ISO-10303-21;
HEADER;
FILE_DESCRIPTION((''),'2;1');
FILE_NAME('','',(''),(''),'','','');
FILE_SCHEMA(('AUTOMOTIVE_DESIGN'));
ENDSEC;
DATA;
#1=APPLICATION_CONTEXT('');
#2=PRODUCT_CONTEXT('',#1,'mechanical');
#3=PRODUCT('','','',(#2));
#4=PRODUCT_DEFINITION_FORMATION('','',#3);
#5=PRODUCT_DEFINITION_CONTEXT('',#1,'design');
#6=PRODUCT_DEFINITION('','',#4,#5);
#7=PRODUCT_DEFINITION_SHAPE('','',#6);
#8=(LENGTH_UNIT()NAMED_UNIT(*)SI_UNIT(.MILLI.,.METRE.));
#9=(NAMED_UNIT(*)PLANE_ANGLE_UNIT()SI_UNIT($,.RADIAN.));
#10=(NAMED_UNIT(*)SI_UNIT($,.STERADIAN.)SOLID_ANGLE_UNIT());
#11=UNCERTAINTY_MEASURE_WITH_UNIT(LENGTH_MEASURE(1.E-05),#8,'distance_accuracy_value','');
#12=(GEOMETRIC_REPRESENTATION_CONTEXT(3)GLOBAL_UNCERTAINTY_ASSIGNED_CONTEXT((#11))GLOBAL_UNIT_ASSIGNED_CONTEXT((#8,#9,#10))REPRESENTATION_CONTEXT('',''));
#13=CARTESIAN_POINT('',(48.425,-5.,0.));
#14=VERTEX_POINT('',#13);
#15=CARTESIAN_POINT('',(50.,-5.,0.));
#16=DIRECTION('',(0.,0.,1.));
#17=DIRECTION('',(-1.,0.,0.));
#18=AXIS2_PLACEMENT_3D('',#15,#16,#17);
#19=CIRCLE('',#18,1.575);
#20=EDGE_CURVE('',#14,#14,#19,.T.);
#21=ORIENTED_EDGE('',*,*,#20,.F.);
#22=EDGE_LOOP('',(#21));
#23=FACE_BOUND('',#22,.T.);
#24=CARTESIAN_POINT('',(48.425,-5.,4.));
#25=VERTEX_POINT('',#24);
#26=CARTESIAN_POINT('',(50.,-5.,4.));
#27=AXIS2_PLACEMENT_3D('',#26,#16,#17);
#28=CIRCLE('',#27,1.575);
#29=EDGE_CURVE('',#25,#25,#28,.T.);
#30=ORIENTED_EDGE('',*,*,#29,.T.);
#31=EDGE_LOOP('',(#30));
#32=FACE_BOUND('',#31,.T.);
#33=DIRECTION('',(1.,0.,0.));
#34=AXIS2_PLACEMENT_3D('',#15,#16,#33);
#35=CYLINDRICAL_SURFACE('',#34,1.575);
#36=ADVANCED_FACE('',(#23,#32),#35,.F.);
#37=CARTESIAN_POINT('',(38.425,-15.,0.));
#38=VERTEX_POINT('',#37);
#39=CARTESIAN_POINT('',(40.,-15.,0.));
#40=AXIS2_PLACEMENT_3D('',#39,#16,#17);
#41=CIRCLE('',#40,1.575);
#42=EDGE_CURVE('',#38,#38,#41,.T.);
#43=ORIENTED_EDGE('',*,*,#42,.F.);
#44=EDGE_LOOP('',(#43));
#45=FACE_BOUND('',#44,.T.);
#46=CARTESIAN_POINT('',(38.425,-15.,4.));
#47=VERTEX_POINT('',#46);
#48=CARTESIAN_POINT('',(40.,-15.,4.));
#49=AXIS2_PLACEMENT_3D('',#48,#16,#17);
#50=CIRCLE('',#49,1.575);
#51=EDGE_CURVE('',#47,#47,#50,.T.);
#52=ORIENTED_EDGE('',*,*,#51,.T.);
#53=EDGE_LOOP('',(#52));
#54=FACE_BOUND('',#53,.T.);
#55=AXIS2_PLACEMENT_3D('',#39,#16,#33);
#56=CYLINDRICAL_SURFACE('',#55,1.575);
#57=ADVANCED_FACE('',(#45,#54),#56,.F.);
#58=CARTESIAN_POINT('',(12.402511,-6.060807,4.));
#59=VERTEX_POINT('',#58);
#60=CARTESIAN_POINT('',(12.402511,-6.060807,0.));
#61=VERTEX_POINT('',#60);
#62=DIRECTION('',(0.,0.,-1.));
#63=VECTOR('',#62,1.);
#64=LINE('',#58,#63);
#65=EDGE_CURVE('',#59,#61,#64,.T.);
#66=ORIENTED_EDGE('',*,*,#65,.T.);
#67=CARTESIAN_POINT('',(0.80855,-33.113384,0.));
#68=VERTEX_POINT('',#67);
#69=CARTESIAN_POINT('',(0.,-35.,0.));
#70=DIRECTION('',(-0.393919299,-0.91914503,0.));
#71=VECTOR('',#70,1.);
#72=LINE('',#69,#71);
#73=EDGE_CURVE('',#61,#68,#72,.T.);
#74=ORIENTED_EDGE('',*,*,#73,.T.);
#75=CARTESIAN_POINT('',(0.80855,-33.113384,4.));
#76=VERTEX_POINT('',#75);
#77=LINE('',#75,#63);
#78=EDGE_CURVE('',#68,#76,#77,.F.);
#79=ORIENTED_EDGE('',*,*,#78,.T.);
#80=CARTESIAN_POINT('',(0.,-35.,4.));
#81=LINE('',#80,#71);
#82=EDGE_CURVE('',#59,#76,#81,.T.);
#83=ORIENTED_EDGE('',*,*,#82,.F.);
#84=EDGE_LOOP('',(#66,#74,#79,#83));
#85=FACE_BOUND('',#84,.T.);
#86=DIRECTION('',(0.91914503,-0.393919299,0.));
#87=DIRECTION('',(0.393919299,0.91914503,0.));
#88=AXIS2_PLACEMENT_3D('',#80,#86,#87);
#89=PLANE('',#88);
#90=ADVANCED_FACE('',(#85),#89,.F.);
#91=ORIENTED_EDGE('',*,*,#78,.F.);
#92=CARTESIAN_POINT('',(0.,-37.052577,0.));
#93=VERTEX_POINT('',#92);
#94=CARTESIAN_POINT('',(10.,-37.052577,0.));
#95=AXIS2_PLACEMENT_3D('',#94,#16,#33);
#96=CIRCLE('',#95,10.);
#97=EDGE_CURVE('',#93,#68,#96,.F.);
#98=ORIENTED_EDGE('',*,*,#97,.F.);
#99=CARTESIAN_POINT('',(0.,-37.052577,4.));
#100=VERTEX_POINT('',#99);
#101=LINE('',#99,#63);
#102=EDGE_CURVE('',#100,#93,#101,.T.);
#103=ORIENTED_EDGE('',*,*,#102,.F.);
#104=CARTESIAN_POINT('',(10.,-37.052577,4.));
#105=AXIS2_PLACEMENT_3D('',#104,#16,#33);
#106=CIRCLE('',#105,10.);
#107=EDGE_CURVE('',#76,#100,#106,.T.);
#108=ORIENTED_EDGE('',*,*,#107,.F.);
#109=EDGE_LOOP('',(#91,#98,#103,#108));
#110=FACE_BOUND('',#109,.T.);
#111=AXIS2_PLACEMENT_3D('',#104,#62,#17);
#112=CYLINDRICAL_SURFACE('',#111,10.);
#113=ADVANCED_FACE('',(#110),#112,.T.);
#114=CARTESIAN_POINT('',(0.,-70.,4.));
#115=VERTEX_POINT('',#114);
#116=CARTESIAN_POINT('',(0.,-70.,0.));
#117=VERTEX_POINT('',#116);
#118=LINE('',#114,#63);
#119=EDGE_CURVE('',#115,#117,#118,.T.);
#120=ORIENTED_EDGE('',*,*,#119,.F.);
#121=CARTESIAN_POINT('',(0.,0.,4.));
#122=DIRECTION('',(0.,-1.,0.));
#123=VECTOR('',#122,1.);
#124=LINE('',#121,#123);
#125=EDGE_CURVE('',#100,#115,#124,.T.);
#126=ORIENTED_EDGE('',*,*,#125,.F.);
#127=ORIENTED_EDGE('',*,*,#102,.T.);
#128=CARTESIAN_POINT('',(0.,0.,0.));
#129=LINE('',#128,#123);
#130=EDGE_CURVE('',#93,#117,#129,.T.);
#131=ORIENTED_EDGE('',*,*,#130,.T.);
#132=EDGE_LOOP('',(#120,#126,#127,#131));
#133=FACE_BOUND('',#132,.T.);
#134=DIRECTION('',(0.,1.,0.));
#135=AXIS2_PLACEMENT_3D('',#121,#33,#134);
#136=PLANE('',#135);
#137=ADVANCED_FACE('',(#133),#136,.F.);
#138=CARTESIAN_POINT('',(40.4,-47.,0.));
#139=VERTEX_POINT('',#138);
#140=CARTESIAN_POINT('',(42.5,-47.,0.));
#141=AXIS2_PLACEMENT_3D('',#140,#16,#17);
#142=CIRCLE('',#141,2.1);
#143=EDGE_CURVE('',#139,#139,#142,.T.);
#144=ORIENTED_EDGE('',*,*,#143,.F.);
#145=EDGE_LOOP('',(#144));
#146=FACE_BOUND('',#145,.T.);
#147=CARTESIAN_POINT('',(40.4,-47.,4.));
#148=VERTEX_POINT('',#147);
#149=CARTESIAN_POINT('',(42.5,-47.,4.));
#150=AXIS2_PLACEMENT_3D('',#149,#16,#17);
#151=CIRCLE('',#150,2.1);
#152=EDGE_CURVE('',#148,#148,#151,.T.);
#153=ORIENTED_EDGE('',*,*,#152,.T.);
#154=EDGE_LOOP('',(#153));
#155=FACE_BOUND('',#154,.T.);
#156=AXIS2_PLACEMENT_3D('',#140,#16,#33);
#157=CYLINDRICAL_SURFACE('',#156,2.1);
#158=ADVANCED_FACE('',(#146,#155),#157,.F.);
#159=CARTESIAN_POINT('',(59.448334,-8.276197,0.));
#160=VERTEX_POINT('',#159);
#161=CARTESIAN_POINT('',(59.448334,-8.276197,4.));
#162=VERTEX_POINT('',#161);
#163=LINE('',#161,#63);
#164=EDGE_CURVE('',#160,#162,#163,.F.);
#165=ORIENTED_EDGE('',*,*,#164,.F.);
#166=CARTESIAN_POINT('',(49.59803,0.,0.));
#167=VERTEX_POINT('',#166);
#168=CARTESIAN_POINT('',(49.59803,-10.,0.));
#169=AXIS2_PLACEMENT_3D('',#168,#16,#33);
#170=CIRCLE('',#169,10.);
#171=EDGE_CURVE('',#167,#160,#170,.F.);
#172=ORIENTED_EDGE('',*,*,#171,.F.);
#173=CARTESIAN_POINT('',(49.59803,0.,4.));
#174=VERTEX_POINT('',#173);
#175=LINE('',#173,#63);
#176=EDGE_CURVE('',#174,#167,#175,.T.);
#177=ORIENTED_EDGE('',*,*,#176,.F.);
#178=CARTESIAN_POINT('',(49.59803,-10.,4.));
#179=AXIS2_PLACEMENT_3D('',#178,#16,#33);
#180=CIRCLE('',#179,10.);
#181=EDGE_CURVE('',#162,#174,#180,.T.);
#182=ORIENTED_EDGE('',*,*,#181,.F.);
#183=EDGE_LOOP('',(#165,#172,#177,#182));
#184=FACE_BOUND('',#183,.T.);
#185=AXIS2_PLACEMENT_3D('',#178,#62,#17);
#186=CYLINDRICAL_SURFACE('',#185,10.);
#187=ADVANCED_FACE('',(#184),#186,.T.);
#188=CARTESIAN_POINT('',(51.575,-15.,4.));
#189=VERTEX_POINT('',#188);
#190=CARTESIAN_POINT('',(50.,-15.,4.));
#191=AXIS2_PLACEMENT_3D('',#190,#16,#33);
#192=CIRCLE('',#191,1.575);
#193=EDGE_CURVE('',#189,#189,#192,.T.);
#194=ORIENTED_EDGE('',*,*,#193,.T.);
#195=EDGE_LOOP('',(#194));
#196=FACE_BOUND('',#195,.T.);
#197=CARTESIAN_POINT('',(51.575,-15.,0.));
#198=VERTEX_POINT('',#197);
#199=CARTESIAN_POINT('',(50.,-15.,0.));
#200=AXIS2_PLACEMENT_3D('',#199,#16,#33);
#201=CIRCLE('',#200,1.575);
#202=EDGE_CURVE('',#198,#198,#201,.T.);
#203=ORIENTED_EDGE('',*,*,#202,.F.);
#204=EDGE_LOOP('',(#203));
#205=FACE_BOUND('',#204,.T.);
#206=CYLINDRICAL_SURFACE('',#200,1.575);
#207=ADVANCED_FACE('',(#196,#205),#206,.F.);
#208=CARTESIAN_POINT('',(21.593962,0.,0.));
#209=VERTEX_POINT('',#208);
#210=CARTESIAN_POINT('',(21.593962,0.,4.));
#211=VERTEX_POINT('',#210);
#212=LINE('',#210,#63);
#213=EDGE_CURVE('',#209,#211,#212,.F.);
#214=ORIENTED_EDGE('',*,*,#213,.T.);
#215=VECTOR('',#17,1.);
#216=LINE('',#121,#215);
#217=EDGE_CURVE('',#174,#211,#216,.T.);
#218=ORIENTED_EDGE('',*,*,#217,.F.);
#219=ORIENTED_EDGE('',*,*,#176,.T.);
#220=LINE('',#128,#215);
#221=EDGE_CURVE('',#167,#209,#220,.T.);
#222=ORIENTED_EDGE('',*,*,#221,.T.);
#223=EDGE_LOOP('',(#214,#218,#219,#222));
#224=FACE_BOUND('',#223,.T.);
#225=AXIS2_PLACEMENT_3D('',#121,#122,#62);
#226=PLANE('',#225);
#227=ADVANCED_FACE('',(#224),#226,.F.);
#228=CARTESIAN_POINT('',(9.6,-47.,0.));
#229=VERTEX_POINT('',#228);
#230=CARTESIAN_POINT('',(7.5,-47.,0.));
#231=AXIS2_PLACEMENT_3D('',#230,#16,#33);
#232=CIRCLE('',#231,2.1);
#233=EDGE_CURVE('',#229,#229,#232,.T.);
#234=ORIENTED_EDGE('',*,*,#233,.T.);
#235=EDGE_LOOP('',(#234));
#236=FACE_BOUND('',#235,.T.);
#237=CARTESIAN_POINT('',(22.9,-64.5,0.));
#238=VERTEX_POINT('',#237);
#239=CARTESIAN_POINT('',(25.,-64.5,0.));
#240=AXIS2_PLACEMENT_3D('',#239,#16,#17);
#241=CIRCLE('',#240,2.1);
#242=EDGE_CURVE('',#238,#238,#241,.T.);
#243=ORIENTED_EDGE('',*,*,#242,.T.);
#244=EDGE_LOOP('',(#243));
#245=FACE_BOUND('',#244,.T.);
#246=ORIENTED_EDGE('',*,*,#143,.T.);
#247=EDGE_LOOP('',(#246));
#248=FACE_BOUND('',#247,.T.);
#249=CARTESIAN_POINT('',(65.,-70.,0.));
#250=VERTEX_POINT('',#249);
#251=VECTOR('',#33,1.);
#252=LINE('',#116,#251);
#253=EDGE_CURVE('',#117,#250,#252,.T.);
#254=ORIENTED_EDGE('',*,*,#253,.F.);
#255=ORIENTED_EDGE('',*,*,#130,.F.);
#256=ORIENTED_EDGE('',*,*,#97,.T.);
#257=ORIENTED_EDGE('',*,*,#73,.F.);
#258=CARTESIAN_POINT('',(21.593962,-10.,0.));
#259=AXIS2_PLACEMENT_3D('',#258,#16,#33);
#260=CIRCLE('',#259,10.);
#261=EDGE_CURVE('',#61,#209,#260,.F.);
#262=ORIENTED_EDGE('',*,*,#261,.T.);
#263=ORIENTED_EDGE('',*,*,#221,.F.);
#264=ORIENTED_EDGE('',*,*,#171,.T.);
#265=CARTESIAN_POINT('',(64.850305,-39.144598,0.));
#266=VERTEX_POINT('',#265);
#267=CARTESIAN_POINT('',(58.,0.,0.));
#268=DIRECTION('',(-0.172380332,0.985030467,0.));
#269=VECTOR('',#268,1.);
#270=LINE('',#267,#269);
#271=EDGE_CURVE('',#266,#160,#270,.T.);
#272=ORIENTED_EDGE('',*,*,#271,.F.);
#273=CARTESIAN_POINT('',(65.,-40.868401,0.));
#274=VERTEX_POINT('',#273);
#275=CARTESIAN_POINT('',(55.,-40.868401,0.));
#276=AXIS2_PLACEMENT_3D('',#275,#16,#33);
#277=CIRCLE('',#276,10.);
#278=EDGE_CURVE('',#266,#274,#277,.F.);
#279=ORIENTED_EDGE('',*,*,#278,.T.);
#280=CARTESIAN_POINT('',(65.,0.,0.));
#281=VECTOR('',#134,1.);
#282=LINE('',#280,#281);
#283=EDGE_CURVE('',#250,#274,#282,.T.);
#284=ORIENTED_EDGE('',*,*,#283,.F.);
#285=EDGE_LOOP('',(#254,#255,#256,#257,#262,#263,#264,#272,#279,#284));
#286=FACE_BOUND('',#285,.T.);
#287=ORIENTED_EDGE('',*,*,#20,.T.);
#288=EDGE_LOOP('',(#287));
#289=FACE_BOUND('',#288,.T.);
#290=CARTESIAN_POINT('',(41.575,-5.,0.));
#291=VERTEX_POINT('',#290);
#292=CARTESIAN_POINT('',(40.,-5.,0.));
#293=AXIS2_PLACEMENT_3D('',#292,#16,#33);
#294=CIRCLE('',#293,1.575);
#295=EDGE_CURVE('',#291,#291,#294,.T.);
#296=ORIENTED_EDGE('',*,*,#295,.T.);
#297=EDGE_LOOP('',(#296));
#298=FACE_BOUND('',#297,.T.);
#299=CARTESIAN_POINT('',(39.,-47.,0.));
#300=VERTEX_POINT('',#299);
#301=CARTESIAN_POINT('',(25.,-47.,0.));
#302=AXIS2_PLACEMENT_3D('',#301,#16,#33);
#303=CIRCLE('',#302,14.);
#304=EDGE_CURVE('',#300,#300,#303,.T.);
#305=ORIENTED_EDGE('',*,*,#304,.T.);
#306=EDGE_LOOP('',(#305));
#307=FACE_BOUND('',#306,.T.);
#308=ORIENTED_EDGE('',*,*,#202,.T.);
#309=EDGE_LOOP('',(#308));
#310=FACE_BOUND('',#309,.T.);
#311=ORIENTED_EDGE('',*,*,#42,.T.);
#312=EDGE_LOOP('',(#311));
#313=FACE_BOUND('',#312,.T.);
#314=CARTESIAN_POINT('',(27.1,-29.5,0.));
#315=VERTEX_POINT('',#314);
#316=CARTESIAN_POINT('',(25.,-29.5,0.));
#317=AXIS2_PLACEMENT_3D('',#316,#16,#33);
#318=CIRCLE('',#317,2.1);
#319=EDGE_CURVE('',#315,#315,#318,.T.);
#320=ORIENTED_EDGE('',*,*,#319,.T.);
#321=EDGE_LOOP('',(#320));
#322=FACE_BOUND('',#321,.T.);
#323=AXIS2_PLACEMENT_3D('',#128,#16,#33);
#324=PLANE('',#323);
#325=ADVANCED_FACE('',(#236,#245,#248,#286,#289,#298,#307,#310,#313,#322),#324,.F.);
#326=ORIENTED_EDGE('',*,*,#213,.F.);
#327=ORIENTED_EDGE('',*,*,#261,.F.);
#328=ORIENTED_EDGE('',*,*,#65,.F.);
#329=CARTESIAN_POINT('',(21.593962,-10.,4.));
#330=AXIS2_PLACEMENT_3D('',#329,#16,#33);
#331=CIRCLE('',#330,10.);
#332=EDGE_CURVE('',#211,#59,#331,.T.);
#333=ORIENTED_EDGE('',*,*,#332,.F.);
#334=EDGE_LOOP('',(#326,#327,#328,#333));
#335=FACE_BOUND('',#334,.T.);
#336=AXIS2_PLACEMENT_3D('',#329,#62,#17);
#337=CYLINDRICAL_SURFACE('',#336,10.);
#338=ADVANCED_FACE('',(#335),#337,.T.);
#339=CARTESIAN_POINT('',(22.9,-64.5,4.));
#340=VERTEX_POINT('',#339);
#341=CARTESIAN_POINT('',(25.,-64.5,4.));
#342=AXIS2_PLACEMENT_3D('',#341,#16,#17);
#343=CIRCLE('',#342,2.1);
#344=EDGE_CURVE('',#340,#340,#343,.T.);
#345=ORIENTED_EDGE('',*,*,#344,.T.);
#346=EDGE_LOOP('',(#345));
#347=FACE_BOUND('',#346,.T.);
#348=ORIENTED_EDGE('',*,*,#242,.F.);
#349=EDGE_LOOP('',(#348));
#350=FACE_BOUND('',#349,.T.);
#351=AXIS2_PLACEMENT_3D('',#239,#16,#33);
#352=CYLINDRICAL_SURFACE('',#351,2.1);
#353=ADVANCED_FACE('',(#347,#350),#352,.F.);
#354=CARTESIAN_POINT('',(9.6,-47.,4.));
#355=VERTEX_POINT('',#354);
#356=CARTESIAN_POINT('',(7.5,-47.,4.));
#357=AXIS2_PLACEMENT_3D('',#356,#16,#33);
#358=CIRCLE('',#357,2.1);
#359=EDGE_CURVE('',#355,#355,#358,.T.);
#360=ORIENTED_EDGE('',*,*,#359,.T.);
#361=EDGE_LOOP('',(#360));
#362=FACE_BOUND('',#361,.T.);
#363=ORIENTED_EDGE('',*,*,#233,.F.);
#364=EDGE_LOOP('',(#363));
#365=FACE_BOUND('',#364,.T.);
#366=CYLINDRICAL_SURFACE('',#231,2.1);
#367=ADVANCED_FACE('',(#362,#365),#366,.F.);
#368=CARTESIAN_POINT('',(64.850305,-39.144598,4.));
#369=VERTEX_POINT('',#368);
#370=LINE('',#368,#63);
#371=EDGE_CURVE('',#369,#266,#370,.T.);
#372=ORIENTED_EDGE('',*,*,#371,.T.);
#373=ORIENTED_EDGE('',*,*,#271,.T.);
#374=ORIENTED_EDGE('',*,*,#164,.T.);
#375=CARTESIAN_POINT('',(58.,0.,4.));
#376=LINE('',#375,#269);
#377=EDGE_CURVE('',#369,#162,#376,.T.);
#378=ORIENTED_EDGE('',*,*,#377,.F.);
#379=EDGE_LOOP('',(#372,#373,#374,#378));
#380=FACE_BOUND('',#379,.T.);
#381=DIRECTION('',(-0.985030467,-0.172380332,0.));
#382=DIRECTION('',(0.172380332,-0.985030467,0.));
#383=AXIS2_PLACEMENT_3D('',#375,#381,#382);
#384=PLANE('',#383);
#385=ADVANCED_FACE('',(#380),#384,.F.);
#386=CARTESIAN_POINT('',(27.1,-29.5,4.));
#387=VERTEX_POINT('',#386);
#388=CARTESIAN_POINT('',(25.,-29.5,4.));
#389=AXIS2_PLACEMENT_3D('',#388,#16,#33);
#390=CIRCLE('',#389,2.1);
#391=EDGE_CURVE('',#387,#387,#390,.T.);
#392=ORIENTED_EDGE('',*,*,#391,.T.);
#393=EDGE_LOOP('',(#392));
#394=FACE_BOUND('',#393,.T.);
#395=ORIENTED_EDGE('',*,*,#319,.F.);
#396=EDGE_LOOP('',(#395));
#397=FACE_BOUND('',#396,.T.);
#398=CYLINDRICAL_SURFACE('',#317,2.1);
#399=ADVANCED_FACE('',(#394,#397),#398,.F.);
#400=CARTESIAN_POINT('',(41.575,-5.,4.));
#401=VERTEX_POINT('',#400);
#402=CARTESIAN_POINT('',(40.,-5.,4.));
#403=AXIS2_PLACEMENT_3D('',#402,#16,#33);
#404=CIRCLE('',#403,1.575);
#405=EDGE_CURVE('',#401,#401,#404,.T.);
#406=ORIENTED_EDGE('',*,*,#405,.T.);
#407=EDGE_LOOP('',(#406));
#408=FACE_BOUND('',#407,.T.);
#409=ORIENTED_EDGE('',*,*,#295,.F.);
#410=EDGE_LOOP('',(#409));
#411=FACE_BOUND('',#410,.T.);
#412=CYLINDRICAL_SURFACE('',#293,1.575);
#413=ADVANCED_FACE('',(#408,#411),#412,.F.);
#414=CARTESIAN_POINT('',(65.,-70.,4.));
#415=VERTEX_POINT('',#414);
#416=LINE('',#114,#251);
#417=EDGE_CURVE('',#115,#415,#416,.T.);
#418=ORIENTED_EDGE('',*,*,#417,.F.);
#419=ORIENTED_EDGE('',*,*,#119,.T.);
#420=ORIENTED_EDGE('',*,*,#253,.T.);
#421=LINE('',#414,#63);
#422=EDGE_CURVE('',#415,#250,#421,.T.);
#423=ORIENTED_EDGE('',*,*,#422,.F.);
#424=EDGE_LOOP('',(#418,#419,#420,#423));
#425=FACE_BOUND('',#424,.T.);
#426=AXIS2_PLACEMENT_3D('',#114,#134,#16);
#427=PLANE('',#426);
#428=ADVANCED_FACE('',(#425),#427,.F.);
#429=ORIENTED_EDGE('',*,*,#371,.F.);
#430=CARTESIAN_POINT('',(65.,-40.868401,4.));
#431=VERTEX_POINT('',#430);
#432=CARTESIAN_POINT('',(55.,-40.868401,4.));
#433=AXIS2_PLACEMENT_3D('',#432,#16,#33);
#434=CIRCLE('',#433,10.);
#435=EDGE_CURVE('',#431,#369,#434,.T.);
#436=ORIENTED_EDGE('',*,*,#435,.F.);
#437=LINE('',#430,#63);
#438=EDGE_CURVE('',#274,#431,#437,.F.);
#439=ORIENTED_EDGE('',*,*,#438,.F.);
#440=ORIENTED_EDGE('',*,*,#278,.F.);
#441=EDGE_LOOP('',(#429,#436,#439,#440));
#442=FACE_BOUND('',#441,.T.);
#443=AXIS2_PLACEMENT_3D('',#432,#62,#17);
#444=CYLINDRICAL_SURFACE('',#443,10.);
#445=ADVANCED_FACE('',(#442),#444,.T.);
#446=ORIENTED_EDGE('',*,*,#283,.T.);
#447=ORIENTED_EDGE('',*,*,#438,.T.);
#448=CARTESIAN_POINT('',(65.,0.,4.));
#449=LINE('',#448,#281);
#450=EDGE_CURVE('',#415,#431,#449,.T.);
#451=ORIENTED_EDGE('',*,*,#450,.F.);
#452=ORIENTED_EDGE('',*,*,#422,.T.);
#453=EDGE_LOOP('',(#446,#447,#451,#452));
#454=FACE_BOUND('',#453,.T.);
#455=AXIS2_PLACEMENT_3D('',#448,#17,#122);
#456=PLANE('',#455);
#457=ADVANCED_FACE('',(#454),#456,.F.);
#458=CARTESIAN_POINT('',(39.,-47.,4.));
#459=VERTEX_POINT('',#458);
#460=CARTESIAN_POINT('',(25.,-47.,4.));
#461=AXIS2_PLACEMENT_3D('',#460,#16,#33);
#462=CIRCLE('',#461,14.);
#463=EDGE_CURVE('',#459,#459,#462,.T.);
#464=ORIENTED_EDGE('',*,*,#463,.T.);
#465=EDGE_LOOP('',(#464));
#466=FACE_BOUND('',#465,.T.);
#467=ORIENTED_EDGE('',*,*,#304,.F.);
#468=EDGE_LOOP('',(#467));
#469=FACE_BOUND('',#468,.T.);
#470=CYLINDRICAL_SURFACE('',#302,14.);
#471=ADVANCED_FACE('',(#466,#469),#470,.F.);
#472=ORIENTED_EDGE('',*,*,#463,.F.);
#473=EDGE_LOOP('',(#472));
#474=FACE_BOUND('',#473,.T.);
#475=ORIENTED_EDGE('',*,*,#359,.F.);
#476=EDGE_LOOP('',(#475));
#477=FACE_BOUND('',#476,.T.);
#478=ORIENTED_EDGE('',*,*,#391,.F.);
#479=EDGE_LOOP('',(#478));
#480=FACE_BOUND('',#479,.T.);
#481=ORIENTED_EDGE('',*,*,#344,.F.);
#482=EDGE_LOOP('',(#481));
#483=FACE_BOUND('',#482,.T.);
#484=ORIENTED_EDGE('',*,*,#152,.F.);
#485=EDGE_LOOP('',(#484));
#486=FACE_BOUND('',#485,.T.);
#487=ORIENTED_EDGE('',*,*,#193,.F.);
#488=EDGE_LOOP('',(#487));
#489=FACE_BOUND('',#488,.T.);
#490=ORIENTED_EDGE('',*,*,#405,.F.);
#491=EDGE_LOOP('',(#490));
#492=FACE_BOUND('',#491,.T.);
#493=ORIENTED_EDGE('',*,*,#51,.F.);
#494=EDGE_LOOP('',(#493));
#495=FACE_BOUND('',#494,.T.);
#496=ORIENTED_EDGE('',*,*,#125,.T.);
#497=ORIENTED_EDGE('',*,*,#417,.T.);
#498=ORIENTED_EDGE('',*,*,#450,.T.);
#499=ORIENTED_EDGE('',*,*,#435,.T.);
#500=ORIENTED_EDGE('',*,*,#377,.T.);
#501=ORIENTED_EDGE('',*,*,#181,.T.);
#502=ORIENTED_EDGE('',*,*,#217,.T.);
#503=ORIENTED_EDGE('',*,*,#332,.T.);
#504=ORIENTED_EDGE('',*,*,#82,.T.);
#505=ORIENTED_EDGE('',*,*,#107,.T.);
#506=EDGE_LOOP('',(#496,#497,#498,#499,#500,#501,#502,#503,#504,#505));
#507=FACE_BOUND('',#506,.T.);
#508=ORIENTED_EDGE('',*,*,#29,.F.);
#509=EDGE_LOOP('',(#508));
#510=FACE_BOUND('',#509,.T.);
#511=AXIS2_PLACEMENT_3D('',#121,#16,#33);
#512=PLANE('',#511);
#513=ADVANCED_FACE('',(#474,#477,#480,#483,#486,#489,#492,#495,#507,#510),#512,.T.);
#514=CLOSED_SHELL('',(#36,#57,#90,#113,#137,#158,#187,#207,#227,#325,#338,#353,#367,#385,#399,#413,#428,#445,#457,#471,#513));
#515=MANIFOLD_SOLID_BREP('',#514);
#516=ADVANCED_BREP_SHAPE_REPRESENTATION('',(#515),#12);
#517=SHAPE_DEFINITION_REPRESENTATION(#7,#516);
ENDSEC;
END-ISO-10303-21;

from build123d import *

# Parameters (mm, degrees)
SKETCH_1_W          = 65
SKETCH_1_H          = 70
EXTRUDE_1_DEPTH     = 4
SKETCH_2_R          = 2.1
SKETCH_2_R_2        = 1.575
SKETCH_2_R_3        = 14
CUT_EXTRUDE_1_DEPTH = 96.608577021
CUT_EXTRUDE_2_DEPTH = 96.608577021
FILLET_1_R          = 10


with BuildPart() as part:
    # 草图1 → 凸台-拉伸1 (new body)
    with BuildSketch(Plane.XY):
        with Locations((32.5, -35)):
            Rectangle(SKETCH_1_W, SKETCH_1_H)
    extrude(amount=EXTRUDE_1_DEPTH)

    # 草图2 → 切除-拉伸1 (cut, through all)
    with BuildSketch(Plane.XY.offset(4)):
        with Locations((25, -29.5)):
            Circle(SKETCH_2_R)
        with Locations((7.5, -47)):
            Circle(SKETCH_2_R)
        with Locations(Location((25, -64.5, 0), (0, 0, 180))):
            Circle(SKETCH_2_R)
        with Locations(Location((42.5, -47, 0), (0, 0, 180))):
            Circle(SKETCH_2_R)
        with Locations((40, -5)):
            Circle(SKETCH_2_R_2)
        with Locations(Location((50, -5, 0), (0, 0, 180))):
            Circle(SKETCH_2_R_2)
        with Locations((50, -15)):
            Circle(SKETCH_2_R_2)
        with Locations(Location((40, -15, 0), (0, 0, 180))):
            Circle(SKETCH_2_R_2)
        with Locations((25, -47)):
            Circle(SKETCH_2_R_3)
    extrude(amount=-CUT_EXTRUDE_1_DEPTH, mode=Mode.SUBTRACT)

    # 草图3 → 切除-拉伸2 (cut, through all)
    with BuildSketch(Plane(origin=(0, 0, 0), x_dir=(-1, 0, 0), z_dir=(0, 0, -1))):
        Polygon((-15, 0), (0, 0), (0, -35), align=None)
        Polygon((-65, 0), (-58, 0), (-65, -40), align=None)
    extrude(amount=-CUT_EXTRUDE_2_DEPTH, mode=Mode.SUBTRACT)

    # 圆角1
    fillet_1_edges = [part.edges().sort_by_distance(p)[0] for p in [
        (0, -35, 2),
        (15, 0, 2),
        (65, -40, 2),
        (58, 0, 2),
    ]]
    fillet(fillet_1_edges, radius=FILLET_1_R)


solid = part.part
